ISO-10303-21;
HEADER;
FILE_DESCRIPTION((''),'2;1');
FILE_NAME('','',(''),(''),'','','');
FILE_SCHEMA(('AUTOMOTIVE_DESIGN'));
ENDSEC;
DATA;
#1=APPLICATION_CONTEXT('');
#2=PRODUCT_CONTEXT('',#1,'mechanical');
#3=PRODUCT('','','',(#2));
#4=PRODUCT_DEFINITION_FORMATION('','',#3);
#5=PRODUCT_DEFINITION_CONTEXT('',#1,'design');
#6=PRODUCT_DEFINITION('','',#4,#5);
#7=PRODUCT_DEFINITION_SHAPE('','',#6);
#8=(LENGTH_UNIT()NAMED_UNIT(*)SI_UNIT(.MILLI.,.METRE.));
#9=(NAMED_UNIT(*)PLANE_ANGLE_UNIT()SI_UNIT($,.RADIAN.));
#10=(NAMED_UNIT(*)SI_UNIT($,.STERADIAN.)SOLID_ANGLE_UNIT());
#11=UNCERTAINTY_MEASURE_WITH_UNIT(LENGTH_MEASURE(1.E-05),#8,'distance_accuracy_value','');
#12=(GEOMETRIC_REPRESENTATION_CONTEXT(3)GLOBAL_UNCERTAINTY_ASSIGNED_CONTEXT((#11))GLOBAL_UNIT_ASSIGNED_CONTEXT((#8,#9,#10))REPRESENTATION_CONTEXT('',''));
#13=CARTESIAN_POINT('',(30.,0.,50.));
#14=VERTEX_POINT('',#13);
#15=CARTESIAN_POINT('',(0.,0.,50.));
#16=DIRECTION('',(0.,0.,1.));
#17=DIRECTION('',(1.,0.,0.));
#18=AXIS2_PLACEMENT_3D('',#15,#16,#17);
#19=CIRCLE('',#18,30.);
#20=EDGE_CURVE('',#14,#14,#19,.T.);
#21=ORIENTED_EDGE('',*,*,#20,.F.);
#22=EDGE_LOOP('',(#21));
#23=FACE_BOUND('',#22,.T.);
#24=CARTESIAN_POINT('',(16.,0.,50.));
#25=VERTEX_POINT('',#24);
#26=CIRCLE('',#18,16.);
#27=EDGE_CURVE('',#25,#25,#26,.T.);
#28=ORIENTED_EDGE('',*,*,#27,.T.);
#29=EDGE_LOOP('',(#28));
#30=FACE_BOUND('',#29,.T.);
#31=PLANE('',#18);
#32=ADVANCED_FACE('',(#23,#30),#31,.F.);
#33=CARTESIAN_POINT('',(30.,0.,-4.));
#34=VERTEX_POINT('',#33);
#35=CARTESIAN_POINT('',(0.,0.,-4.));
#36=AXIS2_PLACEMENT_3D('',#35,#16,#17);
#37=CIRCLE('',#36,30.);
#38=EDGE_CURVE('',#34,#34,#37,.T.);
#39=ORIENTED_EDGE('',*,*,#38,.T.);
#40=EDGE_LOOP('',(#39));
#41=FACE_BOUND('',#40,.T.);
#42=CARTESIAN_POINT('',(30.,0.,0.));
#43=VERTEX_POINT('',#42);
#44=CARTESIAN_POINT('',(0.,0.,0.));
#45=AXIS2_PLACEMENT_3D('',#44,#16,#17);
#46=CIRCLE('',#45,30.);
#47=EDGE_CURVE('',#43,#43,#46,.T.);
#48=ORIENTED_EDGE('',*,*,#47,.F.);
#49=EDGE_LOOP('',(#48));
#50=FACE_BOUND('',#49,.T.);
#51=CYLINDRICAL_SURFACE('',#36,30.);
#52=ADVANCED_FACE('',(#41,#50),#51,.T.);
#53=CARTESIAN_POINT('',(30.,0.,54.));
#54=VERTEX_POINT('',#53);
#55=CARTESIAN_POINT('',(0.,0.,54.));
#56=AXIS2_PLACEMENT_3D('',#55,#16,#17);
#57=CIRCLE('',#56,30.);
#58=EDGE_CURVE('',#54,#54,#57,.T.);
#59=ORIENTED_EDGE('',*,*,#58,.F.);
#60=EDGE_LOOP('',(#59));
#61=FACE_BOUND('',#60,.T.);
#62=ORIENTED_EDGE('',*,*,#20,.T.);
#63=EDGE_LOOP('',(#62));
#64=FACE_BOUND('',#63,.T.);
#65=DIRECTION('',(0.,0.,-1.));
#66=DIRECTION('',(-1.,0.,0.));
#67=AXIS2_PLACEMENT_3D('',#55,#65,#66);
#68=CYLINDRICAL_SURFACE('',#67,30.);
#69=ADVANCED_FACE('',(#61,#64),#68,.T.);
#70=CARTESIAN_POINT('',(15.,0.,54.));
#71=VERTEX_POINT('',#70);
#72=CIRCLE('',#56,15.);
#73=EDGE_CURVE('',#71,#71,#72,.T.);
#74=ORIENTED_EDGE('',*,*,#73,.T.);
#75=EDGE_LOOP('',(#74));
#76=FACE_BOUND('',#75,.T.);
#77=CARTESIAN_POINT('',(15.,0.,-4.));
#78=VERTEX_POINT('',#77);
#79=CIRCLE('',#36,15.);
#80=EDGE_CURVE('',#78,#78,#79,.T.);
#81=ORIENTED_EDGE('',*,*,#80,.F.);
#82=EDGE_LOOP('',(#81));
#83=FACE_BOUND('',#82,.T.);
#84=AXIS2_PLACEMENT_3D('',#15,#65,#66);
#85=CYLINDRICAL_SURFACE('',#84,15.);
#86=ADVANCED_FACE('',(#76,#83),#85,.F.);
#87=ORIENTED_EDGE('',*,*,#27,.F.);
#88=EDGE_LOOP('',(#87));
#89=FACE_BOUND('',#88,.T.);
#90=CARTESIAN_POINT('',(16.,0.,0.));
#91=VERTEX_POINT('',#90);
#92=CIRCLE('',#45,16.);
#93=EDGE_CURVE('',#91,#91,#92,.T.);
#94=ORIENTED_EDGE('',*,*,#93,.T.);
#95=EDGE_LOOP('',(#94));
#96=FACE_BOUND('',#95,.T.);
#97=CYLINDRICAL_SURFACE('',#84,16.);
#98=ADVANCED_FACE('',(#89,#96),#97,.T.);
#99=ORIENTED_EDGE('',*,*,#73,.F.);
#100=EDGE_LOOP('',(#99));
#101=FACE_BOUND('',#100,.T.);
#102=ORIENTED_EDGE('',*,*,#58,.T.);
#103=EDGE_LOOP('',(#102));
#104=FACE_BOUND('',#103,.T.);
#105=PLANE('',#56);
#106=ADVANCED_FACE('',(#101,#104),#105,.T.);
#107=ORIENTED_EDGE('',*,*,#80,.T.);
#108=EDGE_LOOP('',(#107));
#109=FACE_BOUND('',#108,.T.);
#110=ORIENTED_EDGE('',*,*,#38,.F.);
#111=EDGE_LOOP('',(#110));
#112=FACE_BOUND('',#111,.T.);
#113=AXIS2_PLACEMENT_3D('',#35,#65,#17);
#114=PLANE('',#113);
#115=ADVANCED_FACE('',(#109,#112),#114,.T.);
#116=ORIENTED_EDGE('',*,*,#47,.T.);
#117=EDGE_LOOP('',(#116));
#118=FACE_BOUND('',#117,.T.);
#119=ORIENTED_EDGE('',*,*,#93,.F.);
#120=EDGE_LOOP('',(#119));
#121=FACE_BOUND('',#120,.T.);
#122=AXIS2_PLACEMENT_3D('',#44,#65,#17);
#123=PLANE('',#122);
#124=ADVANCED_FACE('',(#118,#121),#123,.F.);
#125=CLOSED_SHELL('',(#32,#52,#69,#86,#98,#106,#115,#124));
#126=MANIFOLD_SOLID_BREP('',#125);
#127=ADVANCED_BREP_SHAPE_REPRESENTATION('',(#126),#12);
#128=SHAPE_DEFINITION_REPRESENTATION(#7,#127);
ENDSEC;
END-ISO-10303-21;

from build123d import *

# Parameters (mm, degrees)
SKETCH1_R           = 16
SKETCH1_R_2         = 15
BOSS_EXTRUDE1_DEPTH = 50
SKETCH2_R           = 30
SKETCH2_R_2         = 15
BOSS_EXTRUDE2_DEPTH = 4


with BuildPart() as part:
    # Sketch1 → Boss-Extrude1 (new body)
    with BuildSketch(Plane.XY):
        Circle(SKETCH1_R)
        Circle(SKETCH1_R_2, mode=Mode.SUBTRACT)
    extrude(amount=BOSS_EXTRUDE1_DEPTH)

    # Sketch2 → Boss-Extrude2 (add)
    with BuildSketch(Plane.XY.offset(50)):
        Circle(SKETCH2_R)
        Circle(SKETCH2_R_2, mode=Mode.SUBTRACT)
    boss_extrude2 = extrude(amount=BOSS_EXTRUDE2_DEPTH)

    # Mirror1: Boss-Extrude2 across plane
    add(boss_extrude2.mirror(Plane(origin=(0, 0, 25), x_dir=(1, 0, 0), z_dir=(0, 0, -1))))


solid = part.part
